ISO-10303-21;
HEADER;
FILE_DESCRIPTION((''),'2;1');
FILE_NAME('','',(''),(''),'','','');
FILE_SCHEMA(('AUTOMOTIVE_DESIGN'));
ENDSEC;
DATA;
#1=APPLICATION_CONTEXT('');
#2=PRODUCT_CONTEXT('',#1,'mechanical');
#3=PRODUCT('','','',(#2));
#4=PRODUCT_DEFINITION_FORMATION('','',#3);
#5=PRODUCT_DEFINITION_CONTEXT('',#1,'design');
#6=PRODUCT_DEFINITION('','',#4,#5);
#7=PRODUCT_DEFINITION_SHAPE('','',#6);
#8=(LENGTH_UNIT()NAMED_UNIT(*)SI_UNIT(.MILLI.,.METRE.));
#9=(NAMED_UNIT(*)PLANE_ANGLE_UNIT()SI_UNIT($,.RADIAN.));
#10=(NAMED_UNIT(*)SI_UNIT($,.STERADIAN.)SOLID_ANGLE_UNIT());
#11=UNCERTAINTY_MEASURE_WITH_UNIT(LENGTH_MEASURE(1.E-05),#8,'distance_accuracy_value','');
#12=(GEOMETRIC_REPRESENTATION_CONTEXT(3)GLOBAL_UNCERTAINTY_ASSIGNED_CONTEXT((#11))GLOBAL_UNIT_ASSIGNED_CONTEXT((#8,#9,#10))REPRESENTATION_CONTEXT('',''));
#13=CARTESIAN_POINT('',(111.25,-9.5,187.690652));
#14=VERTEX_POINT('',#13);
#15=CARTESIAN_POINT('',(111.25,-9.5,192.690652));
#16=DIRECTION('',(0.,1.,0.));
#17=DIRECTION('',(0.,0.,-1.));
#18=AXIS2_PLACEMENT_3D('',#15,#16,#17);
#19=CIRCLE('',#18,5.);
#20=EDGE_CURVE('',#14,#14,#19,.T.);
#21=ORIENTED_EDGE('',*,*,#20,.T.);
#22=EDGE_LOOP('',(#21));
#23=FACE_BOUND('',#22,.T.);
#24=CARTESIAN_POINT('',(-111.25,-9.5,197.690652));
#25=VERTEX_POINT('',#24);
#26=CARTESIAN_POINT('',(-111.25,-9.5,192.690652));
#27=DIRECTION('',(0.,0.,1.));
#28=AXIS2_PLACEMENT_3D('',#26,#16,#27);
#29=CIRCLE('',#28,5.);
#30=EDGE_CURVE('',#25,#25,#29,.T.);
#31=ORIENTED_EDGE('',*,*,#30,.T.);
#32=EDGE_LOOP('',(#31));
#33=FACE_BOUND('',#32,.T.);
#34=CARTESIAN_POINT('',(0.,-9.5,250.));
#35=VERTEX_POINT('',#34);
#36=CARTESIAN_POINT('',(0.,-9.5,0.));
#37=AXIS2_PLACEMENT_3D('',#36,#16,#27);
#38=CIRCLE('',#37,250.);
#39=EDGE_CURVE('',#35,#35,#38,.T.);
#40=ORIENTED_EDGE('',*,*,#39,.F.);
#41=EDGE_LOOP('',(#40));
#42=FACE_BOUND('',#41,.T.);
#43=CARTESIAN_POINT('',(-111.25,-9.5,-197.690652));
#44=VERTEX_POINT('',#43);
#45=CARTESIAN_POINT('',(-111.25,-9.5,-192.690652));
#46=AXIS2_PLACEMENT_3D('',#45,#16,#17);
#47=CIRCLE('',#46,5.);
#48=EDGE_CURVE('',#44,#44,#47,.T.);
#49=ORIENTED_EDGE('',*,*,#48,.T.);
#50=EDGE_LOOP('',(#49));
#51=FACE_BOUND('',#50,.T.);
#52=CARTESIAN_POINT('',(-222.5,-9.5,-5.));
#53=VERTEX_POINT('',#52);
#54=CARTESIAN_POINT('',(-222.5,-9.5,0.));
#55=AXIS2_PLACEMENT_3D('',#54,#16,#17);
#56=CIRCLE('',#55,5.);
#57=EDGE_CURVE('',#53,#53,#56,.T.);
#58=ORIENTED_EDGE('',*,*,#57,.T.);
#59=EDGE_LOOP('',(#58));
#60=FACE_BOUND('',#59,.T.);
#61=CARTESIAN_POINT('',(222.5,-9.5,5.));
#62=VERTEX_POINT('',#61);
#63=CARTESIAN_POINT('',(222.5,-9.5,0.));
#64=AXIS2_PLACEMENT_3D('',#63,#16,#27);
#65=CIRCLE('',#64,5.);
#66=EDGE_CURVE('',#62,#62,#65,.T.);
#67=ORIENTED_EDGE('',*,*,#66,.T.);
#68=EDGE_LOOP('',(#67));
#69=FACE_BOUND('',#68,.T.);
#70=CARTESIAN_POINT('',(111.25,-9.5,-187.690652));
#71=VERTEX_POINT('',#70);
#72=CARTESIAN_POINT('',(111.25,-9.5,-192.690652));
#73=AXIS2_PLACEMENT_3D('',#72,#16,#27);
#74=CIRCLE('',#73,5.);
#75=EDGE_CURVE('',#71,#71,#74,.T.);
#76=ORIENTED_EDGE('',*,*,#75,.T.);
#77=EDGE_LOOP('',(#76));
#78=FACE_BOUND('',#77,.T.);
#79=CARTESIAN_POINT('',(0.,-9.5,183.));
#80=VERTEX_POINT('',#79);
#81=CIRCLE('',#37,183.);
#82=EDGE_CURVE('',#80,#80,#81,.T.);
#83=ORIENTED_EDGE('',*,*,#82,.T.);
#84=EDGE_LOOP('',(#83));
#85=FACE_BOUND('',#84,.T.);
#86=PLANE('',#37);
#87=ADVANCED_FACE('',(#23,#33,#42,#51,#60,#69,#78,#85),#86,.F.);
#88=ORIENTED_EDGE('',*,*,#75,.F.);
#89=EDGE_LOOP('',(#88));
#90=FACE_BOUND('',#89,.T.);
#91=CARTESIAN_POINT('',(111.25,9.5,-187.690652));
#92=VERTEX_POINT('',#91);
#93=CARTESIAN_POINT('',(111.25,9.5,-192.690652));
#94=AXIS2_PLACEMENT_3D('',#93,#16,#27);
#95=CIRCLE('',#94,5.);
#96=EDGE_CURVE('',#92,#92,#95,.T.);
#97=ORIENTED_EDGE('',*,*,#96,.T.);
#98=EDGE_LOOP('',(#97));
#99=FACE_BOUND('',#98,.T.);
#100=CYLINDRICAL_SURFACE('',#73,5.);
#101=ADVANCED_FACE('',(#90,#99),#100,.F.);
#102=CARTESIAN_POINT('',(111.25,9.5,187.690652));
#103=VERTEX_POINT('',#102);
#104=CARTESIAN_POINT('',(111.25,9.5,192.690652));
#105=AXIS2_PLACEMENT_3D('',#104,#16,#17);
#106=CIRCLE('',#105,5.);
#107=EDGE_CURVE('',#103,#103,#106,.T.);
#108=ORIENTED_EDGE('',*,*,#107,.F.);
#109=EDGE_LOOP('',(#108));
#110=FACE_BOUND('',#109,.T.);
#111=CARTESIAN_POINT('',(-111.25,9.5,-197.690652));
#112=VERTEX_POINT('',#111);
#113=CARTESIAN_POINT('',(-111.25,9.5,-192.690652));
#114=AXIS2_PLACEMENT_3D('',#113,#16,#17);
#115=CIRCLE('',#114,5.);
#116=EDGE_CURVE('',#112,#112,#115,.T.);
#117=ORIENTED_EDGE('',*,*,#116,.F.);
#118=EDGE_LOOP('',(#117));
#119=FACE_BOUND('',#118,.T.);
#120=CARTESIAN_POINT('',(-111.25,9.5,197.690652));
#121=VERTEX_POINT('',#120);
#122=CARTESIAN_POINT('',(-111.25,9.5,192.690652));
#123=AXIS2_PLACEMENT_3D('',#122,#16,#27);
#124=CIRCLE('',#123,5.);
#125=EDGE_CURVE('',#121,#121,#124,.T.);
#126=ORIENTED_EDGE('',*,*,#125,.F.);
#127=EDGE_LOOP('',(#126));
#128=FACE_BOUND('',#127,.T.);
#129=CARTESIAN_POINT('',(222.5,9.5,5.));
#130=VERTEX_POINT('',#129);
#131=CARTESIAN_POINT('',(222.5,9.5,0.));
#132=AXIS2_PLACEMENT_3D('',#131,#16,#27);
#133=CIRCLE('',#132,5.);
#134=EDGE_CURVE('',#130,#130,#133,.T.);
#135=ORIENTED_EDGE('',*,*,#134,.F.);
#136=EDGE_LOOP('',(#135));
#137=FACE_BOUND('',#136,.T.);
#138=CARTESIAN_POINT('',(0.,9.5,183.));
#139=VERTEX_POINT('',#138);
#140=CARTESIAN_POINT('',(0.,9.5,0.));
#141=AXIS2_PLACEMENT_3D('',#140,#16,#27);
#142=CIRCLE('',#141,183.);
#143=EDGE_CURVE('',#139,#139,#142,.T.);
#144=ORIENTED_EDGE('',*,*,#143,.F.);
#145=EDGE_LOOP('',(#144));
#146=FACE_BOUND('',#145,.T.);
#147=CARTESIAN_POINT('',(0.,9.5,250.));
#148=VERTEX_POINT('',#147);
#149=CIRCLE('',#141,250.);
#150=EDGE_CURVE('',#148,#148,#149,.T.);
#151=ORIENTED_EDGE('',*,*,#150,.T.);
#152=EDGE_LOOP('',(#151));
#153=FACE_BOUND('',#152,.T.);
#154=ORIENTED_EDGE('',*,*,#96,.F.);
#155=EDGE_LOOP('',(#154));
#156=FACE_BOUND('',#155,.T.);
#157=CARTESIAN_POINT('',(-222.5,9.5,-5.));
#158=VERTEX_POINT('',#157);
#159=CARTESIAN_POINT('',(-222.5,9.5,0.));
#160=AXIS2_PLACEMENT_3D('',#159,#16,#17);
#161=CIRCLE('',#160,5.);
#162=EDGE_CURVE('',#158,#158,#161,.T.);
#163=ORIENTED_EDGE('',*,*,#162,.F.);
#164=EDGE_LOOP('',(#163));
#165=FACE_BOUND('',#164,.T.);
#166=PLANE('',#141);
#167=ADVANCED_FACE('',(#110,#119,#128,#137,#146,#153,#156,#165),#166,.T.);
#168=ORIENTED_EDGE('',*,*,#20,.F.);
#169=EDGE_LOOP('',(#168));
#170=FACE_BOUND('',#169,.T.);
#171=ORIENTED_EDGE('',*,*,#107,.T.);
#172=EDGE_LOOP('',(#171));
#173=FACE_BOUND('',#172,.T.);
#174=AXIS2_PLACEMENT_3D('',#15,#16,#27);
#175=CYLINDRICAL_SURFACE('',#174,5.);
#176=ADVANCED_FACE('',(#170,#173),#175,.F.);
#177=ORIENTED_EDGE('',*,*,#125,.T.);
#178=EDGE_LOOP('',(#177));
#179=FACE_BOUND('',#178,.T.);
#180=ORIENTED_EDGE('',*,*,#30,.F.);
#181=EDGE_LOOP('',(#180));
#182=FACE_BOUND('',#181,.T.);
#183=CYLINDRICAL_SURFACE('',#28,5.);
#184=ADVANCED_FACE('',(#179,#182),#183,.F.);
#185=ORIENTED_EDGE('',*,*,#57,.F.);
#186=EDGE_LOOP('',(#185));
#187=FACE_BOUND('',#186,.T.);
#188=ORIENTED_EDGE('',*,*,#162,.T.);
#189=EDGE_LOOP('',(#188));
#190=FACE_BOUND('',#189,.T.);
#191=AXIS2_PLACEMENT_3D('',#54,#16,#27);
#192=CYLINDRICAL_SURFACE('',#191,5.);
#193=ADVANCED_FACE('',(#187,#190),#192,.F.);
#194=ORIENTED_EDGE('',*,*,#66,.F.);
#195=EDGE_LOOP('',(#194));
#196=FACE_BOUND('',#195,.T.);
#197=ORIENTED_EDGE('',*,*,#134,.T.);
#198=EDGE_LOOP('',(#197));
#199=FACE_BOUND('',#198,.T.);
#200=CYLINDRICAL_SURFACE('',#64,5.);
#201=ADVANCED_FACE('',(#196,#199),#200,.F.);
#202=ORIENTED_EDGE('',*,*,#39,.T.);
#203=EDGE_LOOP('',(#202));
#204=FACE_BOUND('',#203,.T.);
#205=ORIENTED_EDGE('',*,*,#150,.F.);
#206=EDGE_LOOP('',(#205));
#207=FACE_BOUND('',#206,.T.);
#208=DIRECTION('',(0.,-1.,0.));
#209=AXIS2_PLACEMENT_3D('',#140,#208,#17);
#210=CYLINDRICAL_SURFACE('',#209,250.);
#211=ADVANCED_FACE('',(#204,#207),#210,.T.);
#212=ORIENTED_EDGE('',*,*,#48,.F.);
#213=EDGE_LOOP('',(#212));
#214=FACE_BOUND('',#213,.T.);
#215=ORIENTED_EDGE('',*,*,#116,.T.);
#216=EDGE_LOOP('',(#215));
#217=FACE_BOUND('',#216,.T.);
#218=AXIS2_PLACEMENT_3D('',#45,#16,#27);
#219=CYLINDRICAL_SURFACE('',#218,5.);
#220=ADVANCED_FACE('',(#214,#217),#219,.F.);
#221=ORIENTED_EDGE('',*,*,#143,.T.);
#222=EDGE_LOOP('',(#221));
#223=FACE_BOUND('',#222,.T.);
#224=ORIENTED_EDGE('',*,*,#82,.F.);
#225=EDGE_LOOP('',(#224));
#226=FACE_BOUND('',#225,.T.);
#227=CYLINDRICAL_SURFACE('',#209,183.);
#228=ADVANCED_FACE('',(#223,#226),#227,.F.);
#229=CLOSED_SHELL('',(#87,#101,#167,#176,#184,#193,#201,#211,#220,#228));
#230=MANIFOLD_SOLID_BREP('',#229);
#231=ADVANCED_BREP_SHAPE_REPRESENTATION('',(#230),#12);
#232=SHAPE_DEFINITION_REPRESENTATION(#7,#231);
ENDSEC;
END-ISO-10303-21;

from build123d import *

# Parameters (mm, degrees)
SKETCH1_R           = 250
SKETCH1_R_2         = 183
BOSS_EXTRUDE1_DEPTH = 9.5
SKETCH2_R           = 5
CUT_EXTRUDE1_DEPTH  = 355.063553617


with BuildPart() as part:
    # Sketch1 → Boss-Extrude1 (new, symmetric)
    with BuildSketch(Plane(origin=(0, 0, 0), x_dir=(1, 0, 0), z_dir=(0, 1, 0))):
        with Locations(Location((0, 0, 0), (0, 0, 270))):
            Circle(SKETCH1_R)
        with Locations(Location((0, 0, 0), (0, 0, 270))):
            Circle(SKETCH1_R_2, mode=Mode.SUBTRACT)
    extrude(amount=BOSS_EXTRUDE1_DEPTH, both=True)

    # Sketch2 → Cut-Extrude1 (cut, through all)
    with BuildSketch(Plane(origin=(0, 9.5, 0), x_dir=(1, 0, 0), z_dir=(0, 1, 0))):
        with Locations(Location((111.25, 192.690652342, 0), (0, 0, 270))):
            Circle(SKETCH2_R)
        with Locations(Location((222.5, 0, 0), (0, 0, 270))):
            Circle(SKETCH2_R)
        with Locations(Location((-111.25, 192.690652342, 0), (0, 0, 90))):
            Circle(SKETCH2_R)
        with Locations(Location((-222.5, 0, 0), (0, 0, 90))):
            Circle(SKETCH2_R)
        with Locations(Location((111.25, -192.690652342, 0), (0, 0, 90))):
            Circle(SKETCH2_R)
        with Locations(Location((-111.25, -192.690652342, 0), (0, 0, 270))):
            Circle(SKETCH2_R)
    extrude(amount=-CUT_EXTRUDE1_DEPTH, mode=Mode.SUBTRACT)


solid = part.part
